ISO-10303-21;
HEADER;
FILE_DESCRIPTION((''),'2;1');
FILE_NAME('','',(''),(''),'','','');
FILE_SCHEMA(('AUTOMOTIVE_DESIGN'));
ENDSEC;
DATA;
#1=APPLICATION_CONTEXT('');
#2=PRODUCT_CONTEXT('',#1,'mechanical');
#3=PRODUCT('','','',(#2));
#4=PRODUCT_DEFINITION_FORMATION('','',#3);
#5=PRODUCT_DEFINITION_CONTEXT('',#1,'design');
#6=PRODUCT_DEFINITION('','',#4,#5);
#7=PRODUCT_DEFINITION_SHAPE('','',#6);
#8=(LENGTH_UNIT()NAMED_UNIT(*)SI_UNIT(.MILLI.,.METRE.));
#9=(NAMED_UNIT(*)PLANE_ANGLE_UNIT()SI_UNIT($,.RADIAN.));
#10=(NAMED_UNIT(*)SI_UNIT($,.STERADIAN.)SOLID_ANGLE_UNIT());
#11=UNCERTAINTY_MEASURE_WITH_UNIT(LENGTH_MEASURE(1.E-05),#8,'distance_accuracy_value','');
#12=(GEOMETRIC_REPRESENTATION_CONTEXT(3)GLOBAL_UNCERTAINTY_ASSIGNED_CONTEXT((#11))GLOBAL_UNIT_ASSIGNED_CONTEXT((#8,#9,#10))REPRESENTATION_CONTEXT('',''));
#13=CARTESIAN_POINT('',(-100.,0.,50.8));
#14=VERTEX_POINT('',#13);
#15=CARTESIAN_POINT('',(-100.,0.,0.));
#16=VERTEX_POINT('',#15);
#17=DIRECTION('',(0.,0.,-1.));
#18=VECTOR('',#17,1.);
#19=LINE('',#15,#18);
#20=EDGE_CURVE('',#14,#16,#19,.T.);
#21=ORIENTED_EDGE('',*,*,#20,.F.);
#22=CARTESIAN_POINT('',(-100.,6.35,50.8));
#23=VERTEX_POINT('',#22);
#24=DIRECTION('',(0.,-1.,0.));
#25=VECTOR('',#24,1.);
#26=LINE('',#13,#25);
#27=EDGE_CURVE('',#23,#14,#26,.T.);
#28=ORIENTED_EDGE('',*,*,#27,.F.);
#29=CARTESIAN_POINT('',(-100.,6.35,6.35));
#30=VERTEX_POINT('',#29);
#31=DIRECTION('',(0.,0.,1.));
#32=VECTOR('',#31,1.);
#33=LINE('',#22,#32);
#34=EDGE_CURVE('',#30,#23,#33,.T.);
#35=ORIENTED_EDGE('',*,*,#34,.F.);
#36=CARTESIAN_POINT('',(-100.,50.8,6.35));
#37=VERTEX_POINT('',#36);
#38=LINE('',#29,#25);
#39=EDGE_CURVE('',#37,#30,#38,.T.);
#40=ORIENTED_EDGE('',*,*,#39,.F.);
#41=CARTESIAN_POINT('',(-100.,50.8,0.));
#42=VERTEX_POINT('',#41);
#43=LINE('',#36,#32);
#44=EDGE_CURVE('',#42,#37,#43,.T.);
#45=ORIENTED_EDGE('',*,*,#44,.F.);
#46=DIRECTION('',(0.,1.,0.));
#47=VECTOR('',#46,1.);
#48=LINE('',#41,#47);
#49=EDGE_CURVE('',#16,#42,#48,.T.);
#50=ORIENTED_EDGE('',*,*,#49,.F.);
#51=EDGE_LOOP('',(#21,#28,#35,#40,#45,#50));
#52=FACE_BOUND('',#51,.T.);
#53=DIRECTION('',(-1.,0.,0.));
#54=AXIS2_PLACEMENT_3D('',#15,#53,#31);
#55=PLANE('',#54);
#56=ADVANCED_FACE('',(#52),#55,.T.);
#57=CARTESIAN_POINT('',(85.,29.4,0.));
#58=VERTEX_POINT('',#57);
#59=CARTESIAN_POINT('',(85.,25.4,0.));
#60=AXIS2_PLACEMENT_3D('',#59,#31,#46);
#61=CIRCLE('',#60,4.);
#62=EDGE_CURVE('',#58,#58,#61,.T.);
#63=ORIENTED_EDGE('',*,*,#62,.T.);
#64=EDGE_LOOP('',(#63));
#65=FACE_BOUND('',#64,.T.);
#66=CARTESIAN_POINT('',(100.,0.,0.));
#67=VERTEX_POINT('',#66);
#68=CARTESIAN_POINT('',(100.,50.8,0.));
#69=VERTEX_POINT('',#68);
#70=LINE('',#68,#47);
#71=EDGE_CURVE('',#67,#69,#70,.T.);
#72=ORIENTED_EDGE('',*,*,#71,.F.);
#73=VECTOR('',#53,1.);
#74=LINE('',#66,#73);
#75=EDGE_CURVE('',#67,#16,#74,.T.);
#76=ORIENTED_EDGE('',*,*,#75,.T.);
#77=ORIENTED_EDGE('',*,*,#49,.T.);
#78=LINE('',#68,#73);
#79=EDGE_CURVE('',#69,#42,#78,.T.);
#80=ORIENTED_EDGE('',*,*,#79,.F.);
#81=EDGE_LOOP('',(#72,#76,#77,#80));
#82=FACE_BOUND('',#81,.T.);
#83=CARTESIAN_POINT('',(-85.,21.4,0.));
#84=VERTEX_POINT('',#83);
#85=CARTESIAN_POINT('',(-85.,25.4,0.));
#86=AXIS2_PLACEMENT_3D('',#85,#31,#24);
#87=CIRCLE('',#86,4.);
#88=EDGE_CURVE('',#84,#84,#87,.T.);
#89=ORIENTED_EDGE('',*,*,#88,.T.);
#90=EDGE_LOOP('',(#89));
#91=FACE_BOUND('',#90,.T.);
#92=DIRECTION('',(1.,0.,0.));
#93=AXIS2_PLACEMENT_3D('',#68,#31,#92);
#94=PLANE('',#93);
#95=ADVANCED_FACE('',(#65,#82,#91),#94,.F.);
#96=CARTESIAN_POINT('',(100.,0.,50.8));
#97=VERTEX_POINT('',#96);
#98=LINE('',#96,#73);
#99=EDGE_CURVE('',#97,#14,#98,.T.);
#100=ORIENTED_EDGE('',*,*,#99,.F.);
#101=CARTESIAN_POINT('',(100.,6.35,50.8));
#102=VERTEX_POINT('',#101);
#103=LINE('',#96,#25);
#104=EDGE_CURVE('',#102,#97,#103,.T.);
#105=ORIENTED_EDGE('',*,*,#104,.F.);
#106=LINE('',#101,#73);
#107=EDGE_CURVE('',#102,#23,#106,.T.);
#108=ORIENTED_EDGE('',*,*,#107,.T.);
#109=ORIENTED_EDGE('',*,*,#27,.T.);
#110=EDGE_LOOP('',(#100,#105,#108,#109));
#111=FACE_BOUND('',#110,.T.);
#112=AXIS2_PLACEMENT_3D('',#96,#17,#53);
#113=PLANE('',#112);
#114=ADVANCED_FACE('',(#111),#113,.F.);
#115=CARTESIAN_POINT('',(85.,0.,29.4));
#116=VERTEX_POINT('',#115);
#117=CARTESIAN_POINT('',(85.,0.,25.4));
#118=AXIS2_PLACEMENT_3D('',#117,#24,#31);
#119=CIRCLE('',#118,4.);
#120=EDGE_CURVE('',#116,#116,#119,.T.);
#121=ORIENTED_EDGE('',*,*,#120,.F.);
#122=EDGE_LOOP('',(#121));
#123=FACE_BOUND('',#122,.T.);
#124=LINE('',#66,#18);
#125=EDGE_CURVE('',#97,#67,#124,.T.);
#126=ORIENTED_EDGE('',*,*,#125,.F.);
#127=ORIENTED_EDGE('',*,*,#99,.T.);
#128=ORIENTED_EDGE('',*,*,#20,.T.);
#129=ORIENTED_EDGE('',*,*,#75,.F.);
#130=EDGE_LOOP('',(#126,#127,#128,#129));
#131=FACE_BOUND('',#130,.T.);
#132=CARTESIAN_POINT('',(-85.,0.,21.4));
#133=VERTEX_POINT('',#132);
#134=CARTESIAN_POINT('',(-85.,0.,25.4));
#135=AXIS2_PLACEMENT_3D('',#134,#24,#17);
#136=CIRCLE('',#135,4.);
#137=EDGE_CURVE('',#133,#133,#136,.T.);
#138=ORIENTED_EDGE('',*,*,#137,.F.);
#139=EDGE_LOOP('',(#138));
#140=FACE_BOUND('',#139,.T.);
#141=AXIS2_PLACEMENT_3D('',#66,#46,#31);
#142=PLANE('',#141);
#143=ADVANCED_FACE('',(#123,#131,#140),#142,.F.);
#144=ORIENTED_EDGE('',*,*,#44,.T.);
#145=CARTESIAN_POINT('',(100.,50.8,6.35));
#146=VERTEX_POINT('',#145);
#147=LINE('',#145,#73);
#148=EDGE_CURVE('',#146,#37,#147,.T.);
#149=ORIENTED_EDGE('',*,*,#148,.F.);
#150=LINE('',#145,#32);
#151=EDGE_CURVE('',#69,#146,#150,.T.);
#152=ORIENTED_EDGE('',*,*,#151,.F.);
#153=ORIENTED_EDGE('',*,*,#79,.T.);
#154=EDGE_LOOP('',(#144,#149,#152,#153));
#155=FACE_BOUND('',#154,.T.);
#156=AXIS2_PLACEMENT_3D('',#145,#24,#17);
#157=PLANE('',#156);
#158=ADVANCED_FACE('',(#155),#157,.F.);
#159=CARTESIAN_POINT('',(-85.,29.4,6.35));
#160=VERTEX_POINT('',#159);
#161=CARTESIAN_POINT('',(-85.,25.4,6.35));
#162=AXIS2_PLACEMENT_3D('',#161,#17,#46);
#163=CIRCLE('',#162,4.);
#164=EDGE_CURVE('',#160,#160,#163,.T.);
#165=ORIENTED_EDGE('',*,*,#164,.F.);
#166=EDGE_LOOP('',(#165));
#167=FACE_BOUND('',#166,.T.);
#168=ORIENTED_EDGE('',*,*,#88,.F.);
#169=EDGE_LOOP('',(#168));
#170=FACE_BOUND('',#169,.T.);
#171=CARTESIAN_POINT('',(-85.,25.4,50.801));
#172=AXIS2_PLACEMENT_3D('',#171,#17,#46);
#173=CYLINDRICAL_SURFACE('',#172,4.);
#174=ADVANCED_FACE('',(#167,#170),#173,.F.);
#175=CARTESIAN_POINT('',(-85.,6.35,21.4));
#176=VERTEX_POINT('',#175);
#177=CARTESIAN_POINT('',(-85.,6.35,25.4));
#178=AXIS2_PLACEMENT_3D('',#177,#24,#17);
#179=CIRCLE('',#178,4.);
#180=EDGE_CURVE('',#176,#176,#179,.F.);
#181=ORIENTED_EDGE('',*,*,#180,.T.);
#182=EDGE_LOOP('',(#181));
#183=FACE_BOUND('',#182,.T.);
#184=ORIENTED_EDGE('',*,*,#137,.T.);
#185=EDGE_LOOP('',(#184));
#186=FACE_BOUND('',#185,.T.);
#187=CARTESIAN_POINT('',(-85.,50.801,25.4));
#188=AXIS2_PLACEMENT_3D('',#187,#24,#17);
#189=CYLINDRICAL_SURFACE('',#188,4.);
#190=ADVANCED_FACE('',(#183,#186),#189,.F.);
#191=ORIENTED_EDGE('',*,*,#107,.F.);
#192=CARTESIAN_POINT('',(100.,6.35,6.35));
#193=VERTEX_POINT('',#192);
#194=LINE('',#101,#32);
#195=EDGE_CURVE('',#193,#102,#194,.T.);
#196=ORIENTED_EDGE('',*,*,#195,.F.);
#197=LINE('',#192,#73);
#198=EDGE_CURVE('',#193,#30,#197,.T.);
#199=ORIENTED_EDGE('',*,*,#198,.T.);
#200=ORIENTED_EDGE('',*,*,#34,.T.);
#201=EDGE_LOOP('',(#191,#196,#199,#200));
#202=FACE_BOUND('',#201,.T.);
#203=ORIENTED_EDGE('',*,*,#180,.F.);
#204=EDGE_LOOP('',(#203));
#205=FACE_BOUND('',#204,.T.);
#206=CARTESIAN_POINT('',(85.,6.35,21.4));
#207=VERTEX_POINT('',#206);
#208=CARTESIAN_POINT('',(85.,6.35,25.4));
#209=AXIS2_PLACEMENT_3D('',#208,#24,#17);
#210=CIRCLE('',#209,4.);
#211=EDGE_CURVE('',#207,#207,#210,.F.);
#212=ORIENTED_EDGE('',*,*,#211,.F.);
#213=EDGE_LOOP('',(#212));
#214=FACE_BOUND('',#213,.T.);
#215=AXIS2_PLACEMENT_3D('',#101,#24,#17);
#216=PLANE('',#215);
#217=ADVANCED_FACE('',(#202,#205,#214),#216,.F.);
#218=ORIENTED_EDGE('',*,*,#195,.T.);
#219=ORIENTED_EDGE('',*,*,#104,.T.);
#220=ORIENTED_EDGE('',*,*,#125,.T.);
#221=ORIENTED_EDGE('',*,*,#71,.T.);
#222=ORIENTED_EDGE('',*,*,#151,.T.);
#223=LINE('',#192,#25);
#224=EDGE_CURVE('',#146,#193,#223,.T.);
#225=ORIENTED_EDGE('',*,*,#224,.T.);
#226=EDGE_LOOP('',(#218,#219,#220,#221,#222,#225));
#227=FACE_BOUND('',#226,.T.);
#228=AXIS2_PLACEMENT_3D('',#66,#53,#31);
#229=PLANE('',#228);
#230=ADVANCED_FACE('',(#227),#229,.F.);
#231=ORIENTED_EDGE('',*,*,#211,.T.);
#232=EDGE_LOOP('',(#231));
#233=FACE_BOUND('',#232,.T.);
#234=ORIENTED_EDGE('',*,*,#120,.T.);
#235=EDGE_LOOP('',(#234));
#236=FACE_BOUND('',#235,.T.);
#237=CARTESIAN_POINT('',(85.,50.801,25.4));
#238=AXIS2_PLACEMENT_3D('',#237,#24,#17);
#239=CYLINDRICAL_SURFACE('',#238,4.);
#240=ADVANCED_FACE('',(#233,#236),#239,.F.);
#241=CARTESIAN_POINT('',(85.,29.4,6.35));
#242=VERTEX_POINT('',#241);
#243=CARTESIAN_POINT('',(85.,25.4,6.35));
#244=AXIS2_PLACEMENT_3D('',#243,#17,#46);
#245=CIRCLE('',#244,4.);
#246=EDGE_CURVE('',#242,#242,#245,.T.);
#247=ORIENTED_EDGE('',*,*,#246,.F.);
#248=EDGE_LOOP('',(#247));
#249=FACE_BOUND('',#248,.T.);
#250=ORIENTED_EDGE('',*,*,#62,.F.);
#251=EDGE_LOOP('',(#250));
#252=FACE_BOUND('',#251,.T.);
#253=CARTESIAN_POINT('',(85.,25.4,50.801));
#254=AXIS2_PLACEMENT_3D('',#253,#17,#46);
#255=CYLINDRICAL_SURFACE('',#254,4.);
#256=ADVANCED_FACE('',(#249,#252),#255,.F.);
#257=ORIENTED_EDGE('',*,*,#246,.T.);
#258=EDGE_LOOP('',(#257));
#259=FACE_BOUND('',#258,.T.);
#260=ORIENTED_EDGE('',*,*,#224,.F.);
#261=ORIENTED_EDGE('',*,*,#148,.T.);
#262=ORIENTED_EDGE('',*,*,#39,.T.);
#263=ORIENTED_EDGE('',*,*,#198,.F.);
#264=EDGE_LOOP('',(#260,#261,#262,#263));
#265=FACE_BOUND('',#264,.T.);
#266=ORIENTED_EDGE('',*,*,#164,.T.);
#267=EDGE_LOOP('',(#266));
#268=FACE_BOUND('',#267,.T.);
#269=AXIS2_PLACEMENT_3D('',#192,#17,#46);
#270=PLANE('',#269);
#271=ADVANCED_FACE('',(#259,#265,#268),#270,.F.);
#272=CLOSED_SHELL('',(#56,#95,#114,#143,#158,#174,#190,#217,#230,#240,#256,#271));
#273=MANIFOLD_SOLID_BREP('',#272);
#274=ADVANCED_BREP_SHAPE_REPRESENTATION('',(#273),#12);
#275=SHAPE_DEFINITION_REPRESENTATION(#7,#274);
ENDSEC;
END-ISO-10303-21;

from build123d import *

# Parameters (mm, degrees)
BOSS_EXTRUDE1_DEPTH = 100
CUT_EXTRUDE1_REACH  = 125.131
SKETCH2_R           = 4


with BuildPart() as part:
    # Sketch1 → Boss-Extrude1 (new, symmetric)
    with BuildSketch(Plane(origin=(0, 0, 0), x_dir=(0, 0, -1), z_dir=(1, 0, 0))):
        Polygon((0, 50.8), (0, 0), (-50.8, 0), (-50.8, 6.35), (-6.35, 6.35), (-6.35, 50.8), align=None)
    extrude(amount=BOSS_EXTRUDE1_DEPTH, both=True)

    # Sketch2 → Cut-Extrude1 (cut, up to next)
    with BuildSketch(Plane.XZ, mode=Mode.PRIVATE) as cut_extrude1_sk1:
        with Locations(Location((-85, 25.4, 0), (0, 0, 270))):
            Circle(SKETCH2_R)
    cut_extrude1_tool1 = extrude(cut_extrude1_sk1.sketch, amount=-CUT_EXTRUDE1_REACH, mode=Mode.PRIVATE) & part.part
    # Sketch2 → Cut-Extrude1 (cut, up to next)
    with BuildSketch(Plane.XZ, mode=Mode.PRIVATE) as cut_extrude1_sk2:
        with Locations(Location((85, 25.4, 0), (0, 0, 270))):
            Circle(SKETCH2_R)
    cut_extrude1_tool2 = extrude(cut_extrude1_sk2.sketch, amount=-CUT_EXTRUDE1_REACH, mode=Mode.PRIVATE) & part.part
    cut_extrude1_1 = cut_extrude1_tool1.solids().sort_by_distance((-85, 0, 25.4))[0]
    add(cut_extrude1_1, mode=Mode.SUBTRACT)
    cut_extrude1_2 = cut_extrude1_tool2.solids().sort_by_distance((85, 0, 25.4))[0]
    add(cut_extrude1_2, mode=Mode.SUBTRACT)
    cut_extrude1 = cut_extrude1_1 + cut_extrude1_2  # Cut-Extrude1 as one shape, for the pattern or mirror that repeats it

    # Mirror1: Cut-Extrude1 across plane
    add(cut_extrude1.mirror(Plane(origin=(0, 0, 0), x_dir=(0, 0.7071067811865471, 0.7071067811865479), z_dir=(0, -0.7071067811865479, 0.7071067811865471))), mode=Mode.SUBTRACT)


solid = part.part
